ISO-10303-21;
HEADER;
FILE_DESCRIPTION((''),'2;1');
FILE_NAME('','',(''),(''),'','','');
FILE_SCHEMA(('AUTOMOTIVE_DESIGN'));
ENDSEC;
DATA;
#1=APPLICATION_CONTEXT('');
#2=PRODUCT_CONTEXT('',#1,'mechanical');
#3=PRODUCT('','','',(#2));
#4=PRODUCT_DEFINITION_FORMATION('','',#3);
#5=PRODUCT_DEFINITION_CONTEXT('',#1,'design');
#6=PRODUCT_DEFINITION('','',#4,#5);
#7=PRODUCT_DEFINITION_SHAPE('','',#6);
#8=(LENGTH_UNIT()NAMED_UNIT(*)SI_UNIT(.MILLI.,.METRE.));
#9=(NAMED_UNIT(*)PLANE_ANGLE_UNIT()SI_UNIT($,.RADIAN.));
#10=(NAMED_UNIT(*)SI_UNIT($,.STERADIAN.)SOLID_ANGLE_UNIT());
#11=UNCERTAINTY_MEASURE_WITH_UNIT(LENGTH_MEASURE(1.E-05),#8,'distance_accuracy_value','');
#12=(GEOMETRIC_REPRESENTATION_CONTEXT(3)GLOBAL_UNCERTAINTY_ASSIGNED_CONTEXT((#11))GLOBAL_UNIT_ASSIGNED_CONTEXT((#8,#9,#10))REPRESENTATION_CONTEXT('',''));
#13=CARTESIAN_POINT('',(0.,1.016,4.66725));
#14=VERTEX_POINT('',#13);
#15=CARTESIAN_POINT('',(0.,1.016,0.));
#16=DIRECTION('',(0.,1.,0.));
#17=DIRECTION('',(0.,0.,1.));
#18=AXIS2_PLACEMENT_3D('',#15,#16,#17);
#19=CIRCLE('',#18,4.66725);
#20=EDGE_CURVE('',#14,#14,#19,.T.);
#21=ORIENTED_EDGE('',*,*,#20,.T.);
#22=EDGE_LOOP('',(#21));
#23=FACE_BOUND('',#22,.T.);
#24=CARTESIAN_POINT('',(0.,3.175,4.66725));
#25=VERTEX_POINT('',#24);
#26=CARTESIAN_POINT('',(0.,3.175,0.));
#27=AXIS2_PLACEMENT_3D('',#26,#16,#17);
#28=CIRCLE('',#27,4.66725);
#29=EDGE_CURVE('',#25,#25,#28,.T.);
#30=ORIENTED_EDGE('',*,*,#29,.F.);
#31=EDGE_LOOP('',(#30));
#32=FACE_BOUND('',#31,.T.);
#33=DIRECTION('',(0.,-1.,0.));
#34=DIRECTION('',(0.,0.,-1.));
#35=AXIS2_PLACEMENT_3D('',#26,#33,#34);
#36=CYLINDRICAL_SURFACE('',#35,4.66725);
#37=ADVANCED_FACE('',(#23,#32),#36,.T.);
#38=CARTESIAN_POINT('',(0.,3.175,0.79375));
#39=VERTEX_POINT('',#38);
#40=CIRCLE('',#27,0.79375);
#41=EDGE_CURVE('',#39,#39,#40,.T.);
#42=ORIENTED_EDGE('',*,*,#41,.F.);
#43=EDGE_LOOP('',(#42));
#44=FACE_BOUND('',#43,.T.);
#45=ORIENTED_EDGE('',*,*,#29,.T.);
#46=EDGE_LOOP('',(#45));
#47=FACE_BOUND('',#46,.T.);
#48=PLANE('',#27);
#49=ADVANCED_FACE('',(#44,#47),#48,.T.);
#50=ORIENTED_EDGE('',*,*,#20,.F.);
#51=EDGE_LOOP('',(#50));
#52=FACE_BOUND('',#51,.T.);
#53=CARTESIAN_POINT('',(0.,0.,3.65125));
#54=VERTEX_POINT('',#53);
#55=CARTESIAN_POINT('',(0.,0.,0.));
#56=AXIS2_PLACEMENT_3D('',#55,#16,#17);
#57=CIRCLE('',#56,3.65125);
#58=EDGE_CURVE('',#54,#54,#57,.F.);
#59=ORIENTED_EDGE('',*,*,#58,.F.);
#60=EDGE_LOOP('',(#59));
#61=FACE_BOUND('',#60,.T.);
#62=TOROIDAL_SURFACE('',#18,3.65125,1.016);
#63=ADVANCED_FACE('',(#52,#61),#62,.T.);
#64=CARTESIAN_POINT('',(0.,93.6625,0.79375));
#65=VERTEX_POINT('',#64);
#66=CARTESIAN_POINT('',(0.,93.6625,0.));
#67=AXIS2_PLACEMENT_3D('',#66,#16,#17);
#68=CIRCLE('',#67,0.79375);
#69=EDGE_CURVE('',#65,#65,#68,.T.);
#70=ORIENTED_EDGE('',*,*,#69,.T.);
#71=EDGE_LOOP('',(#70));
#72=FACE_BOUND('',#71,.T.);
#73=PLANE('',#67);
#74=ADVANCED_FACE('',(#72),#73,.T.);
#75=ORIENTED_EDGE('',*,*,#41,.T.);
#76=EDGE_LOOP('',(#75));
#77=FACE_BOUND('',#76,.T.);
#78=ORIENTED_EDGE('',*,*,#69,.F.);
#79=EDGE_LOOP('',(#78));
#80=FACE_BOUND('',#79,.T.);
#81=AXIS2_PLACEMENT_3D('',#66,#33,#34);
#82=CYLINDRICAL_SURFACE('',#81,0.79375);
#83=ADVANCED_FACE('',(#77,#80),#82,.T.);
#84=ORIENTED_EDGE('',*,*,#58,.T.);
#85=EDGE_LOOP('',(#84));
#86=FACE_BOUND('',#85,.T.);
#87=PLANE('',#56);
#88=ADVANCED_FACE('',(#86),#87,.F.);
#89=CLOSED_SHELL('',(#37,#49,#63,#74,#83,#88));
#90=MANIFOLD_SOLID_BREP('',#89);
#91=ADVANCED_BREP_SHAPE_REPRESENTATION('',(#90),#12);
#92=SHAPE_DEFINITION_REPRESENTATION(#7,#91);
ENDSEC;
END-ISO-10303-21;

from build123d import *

# Parameters (mm, degrees)
SKETCH3_R           = 4.66725
BOSS_EXTRUDE1_DEPTH = 3.175
SKETCH4_R           = 0.79375
BOSS_EXTRUDE2_DEPTH = 90.4875
FILLET1_R           = 1.016


with BuildPart() as part:
    # Sketch3 → Boss-Extrude1 (new body)
    with BuildSketch(Plane(origin=(0, 0, 0), x_dir=(1, 0, 0), z_dir=(0, 1, 0))):
        Circle(SKETCH3_R)
    extrude(amount=BOSS_EXTRUDE1_DEPTH)

    # Sketch4 → Boss-Extrude2 (add)
    with BuildSketch(Plane(origin=(0, 3.175, 0), x_dir=(1, 0, 0), z_dir=(0, 1, 0))):
        Circle(SKETCH4_R)
    extrude(amount=BOSS_EXTRUDE2_DEPTH)

    # Fillet1
    fillet1_edges = [part.edges().sort_by_distance(p)[0] for p in [
        (-4.66725, 0, 0),
    ]]
    fillet(fillet1_edges, radius=FILLET1_R)


solid = part.part
